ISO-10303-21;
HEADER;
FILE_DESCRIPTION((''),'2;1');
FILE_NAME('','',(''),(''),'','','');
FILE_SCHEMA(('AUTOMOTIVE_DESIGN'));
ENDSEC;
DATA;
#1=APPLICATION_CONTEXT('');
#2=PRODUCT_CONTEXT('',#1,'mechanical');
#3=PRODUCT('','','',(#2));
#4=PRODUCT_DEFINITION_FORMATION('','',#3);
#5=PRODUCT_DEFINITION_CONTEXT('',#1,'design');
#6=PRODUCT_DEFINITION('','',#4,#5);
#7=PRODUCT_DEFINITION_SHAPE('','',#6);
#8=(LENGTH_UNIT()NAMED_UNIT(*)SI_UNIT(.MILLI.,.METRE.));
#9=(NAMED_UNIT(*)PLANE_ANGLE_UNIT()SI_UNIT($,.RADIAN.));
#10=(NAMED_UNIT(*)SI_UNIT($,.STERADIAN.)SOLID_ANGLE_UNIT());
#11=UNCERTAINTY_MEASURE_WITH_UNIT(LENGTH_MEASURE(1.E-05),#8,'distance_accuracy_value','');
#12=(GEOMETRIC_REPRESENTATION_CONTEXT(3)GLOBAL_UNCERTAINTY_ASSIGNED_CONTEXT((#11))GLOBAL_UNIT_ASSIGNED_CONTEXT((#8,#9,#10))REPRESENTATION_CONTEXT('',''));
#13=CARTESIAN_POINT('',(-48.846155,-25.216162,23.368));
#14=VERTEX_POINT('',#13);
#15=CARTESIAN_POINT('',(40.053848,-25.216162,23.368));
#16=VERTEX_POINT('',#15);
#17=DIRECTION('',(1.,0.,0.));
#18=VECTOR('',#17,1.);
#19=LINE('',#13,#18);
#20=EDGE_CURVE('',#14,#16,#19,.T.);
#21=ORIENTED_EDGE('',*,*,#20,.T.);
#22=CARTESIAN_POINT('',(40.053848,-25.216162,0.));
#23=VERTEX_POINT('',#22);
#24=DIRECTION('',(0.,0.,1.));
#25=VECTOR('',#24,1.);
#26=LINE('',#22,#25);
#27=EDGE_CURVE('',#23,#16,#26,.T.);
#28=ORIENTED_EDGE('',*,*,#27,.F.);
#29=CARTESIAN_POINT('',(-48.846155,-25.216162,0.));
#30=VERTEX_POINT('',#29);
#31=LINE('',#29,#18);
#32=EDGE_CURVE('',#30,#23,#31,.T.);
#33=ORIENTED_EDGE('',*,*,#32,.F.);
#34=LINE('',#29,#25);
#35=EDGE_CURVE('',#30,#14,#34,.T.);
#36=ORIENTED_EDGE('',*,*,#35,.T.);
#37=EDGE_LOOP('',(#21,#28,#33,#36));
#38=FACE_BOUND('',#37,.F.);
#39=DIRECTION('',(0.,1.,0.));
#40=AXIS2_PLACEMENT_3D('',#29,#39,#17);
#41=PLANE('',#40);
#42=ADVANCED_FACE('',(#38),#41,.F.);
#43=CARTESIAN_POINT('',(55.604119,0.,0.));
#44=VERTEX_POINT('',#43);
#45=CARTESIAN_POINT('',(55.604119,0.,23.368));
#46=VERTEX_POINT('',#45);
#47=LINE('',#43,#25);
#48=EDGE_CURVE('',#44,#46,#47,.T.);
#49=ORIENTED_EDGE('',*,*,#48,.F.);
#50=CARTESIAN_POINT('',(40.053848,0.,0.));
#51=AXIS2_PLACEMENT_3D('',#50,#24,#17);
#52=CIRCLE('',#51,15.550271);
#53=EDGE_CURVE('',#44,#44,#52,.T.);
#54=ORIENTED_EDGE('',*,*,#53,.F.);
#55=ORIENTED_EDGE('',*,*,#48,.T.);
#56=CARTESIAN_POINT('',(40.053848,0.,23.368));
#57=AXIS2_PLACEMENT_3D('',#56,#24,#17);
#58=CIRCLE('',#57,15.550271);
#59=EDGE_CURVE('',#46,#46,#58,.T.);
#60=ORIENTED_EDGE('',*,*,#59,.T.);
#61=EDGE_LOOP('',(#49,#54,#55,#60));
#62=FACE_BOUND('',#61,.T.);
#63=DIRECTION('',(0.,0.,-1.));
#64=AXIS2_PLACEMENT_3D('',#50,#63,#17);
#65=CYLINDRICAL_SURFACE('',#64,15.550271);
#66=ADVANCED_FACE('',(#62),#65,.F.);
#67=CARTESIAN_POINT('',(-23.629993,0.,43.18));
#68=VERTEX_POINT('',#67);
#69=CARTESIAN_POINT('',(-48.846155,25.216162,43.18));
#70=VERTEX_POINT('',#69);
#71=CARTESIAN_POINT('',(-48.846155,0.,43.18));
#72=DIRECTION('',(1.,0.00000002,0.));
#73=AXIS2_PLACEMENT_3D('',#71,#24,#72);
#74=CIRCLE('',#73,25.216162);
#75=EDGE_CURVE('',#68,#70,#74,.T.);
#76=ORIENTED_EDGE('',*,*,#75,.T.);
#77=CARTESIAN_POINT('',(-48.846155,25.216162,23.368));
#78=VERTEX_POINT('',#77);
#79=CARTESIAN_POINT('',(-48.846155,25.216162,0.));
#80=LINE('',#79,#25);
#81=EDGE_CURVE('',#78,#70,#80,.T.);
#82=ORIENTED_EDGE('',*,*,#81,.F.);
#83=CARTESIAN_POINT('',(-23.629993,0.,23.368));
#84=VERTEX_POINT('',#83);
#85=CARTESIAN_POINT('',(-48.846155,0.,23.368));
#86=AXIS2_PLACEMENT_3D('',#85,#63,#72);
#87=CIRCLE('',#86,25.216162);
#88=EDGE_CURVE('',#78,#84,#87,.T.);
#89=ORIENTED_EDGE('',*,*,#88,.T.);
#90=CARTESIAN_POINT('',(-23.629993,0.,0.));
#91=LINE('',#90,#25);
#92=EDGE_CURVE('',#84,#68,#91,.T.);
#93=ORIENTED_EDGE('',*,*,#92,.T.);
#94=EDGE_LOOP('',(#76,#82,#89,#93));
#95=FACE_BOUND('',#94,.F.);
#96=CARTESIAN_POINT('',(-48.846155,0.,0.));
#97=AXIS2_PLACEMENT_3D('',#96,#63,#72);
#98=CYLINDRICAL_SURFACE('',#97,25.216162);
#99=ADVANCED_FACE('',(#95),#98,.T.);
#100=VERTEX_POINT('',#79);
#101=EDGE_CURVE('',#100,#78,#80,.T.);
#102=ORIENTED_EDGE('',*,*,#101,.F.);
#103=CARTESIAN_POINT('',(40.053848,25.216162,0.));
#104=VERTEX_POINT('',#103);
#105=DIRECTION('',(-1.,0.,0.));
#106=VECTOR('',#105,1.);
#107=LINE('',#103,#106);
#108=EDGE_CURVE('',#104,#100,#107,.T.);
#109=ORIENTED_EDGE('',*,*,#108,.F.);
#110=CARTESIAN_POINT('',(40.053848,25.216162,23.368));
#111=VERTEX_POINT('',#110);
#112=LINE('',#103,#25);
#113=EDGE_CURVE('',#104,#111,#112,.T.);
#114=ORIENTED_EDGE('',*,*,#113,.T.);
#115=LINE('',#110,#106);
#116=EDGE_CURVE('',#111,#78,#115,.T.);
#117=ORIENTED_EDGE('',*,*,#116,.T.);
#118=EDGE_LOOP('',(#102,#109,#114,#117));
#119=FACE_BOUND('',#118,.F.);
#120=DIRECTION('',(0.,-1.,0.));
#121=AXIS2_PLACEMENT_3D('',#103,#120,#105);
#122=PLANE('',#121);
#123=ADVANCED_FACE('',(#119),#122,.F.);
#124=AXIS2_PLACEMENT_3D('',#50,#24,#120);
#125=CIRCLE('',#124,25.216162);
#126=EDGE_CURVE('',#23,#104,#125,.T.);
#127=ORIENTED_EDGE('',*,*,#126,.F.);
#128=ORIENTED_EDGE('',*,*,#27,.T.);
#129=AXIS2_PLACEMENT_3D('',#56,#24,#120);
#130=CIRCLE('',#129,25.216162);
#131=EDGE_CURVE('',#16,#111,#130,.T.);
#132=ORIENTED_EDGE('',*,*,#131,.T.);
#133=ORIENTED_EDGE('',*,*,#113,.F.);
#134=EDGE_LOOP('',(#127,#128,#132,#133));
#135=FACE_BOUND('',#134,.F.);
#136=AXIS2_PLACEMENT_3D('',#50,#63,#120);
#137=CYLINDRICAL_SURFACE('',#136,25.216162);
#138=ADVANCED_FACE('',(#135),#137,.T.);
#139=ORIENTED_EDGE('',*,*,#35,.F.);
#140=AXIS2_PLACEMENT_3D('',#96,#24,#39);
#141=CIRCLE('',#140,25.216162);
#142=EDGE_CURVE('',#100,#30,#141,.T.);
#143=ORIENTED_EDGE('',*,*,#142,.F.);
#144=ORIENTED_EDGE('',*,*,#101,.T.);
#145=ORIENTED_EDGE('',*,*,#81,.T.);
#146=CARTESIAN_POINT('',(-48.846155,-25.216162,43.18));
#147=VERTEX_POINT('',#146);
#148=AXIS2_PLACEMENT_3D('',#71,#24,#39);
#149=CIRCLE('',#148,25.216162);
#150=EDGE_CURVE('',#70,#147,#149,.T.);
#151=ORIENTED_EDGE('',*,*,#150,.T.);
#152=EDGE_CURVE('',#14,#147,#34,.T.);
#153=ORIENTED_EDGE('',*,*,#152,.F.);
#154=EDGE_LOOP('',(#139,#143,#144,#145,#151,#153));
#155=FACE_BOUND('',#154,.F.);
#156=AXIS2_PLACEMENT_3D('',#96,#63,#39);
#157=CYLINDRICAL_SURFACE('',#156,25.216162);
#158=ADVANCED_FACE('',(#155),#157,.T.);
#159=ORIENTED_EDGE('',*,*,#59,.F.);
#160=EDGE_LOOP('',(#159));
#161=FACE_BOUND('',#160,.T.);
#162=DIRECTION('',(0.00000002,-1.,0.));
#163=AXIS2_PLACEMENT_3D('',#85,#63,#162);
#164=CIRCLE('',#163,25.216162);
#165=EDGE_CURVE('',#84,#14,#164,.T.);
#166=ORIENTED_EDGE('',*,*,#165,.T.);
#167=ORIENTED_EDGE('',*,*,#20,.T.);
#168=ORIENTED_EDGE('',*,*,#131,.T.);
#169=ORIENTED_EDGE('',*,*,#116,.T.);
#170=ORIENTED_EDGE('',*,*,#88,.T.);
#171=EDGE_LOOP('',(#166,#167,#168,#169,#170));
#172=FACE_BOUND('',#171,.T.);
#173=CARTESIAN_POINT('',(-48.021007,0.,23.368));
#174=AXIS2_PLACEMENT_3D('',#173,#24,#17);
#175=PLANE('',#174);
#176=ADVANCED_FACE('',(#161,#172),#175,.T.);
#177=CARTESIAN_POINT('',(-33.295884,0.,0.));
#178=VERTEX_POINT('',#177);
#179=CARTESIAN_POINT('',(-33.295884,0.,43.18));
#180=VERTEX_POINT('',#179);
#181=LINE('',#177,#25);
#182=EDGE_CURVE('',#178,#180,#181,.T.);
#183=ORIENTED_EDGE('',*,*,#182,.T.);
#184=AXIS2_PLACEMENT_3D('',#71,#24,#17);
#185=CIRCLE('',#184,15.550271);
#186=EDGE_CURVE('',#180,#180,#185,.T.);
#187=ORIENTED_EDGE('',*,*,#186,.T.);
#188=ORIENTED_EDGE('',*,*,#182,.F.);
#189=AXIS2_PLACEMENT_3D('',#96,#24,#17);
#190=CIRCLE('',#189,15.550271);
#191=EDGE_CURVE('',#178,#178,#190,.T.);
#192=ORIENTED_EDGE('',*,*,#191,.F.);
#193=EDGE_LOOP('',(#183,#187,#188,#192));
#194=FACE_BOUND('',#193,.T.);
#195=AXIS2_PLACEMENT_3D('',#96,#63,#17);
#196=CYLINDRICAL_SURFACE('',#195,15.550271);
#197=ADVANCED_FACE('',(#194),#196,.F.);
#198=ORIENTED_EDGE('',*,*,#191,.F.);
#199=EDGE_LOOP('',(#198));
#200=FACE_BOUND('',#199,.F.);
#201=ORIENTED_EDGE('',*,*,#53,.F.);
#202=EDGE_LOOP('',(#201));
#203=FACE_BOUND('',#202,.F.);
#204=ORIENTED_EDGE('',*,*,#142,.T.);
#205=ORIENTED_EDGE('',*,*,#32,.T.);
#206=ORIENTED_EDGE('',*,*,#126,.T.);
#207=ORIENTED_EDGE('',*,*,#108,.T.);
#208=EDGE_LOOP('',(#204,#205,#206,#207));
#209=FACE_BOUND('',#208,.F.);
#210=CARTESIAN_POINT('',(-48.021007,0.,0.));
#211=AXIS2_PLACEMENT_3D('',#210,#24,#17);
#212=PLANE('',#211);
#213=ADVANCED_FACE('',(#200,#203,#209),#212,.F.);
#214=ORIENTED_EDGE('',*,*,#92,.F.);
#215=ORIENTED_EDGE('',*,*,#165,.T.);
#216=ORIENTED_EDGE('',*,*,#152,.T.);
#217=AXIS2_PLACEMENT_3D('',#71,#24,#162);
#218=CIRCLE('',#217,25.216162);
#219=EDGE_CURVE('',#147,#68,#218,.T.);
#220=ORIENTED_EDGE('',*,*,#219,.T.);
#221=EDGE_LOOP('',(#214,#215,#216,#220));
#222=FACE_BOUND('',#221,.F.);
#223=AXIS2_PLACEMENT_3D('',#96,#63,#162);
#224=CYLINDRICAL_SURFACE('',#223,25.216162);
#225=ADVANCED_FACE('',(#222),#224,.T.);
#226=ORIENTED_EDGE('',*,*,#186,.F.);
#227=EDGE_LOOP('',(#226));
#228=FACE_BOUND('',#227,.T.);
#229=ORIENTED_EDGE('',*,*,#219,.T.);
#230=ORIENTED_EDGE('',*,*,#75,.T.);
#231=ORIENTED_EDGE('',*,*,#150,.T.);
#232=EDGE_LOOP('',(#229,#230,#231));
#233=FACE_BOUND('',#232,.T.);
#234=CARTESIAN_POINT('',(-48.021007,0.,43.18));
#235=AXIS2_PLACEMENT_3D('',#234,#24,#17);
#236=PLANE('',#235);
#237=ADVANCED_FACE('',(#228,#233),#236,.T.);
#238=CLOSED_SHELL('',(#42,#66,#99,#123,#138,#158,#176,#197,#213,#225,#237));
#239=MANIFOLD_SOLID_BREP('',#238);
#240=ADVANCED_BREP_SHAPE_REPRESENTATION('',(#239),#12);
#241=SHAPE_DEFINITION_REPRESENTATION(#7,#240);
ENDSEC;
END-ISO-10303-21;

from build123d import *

# Parameters (mm, degrees)
F0_R     = 15.550271
F1_DEPTH = 43.18
F2_DEPTH = 23.368


with BuildPart() as f1:
    # F0 (on Top) → F1 (new body)
    with BuildSketch(Plane.XY):
        with BuildLine():
            ThreePointArc((-48.846155, -25.216162), (-31.015636, -17.830519), (-23.629993, 0))
            ThreePointArc((-23.629993, 0), (-31.015636, 17.830519), (-48.846155, 25.216162))
            ThreePointArc((-48.846155, 25.216162), (-74.062317, 0), (-48.846155, -25.216162))
        make_face()
        with Locations((-48.846155, 0)):
            Circle(F0_R, mode=Mode.SUBTRACT)
    extrude(amount=F1_DEPTH)

    # F0 (on Top) → F2 (join)
    with BuildSketch(Plane.XY):
        with BuildLine():
            ThreePointArc((-48.846155, -25.216162), (-31.015636, -17.830519), (-23.629993, 0))
            ThreePointArc((-23.629993, 0), (-31.015636, 17.830519), (-48.846155, 25.216162))
            ThreePointArc((-48.846155, 25.216162), (-74.062317, 0), (-48.846155, -25.216162))
        make_face()
        with Locations((-48.846155, 0)):
            Circle(F0_R, mode=Mode.SUBTRACT)
        with BuildLine():
            ThreePointArc((-48.846155, 25.216162), (-31.015636, 17.830519), (-23.629993, 0))
            ThreePointArc((-23.629993, 0), (-31.015636, -17.830519), (-48.846155, -25.216162))
            Line((-48.846155, -25.216162), (40.053848, -25.216162))
            ThreePointArc((40.053848, -25.216162), (65.27001, 0), (40.053848, 25.216162))
            Line((40.053848, 25.216162), (-48.846155, 25.216162))
        make_face()
        with Locations((40.053848, 0)):
            Circle(F0_R, mode=Mode.SUBTRACT)
    extrude(amount=F2_DEPTH)


solid = f1.part
